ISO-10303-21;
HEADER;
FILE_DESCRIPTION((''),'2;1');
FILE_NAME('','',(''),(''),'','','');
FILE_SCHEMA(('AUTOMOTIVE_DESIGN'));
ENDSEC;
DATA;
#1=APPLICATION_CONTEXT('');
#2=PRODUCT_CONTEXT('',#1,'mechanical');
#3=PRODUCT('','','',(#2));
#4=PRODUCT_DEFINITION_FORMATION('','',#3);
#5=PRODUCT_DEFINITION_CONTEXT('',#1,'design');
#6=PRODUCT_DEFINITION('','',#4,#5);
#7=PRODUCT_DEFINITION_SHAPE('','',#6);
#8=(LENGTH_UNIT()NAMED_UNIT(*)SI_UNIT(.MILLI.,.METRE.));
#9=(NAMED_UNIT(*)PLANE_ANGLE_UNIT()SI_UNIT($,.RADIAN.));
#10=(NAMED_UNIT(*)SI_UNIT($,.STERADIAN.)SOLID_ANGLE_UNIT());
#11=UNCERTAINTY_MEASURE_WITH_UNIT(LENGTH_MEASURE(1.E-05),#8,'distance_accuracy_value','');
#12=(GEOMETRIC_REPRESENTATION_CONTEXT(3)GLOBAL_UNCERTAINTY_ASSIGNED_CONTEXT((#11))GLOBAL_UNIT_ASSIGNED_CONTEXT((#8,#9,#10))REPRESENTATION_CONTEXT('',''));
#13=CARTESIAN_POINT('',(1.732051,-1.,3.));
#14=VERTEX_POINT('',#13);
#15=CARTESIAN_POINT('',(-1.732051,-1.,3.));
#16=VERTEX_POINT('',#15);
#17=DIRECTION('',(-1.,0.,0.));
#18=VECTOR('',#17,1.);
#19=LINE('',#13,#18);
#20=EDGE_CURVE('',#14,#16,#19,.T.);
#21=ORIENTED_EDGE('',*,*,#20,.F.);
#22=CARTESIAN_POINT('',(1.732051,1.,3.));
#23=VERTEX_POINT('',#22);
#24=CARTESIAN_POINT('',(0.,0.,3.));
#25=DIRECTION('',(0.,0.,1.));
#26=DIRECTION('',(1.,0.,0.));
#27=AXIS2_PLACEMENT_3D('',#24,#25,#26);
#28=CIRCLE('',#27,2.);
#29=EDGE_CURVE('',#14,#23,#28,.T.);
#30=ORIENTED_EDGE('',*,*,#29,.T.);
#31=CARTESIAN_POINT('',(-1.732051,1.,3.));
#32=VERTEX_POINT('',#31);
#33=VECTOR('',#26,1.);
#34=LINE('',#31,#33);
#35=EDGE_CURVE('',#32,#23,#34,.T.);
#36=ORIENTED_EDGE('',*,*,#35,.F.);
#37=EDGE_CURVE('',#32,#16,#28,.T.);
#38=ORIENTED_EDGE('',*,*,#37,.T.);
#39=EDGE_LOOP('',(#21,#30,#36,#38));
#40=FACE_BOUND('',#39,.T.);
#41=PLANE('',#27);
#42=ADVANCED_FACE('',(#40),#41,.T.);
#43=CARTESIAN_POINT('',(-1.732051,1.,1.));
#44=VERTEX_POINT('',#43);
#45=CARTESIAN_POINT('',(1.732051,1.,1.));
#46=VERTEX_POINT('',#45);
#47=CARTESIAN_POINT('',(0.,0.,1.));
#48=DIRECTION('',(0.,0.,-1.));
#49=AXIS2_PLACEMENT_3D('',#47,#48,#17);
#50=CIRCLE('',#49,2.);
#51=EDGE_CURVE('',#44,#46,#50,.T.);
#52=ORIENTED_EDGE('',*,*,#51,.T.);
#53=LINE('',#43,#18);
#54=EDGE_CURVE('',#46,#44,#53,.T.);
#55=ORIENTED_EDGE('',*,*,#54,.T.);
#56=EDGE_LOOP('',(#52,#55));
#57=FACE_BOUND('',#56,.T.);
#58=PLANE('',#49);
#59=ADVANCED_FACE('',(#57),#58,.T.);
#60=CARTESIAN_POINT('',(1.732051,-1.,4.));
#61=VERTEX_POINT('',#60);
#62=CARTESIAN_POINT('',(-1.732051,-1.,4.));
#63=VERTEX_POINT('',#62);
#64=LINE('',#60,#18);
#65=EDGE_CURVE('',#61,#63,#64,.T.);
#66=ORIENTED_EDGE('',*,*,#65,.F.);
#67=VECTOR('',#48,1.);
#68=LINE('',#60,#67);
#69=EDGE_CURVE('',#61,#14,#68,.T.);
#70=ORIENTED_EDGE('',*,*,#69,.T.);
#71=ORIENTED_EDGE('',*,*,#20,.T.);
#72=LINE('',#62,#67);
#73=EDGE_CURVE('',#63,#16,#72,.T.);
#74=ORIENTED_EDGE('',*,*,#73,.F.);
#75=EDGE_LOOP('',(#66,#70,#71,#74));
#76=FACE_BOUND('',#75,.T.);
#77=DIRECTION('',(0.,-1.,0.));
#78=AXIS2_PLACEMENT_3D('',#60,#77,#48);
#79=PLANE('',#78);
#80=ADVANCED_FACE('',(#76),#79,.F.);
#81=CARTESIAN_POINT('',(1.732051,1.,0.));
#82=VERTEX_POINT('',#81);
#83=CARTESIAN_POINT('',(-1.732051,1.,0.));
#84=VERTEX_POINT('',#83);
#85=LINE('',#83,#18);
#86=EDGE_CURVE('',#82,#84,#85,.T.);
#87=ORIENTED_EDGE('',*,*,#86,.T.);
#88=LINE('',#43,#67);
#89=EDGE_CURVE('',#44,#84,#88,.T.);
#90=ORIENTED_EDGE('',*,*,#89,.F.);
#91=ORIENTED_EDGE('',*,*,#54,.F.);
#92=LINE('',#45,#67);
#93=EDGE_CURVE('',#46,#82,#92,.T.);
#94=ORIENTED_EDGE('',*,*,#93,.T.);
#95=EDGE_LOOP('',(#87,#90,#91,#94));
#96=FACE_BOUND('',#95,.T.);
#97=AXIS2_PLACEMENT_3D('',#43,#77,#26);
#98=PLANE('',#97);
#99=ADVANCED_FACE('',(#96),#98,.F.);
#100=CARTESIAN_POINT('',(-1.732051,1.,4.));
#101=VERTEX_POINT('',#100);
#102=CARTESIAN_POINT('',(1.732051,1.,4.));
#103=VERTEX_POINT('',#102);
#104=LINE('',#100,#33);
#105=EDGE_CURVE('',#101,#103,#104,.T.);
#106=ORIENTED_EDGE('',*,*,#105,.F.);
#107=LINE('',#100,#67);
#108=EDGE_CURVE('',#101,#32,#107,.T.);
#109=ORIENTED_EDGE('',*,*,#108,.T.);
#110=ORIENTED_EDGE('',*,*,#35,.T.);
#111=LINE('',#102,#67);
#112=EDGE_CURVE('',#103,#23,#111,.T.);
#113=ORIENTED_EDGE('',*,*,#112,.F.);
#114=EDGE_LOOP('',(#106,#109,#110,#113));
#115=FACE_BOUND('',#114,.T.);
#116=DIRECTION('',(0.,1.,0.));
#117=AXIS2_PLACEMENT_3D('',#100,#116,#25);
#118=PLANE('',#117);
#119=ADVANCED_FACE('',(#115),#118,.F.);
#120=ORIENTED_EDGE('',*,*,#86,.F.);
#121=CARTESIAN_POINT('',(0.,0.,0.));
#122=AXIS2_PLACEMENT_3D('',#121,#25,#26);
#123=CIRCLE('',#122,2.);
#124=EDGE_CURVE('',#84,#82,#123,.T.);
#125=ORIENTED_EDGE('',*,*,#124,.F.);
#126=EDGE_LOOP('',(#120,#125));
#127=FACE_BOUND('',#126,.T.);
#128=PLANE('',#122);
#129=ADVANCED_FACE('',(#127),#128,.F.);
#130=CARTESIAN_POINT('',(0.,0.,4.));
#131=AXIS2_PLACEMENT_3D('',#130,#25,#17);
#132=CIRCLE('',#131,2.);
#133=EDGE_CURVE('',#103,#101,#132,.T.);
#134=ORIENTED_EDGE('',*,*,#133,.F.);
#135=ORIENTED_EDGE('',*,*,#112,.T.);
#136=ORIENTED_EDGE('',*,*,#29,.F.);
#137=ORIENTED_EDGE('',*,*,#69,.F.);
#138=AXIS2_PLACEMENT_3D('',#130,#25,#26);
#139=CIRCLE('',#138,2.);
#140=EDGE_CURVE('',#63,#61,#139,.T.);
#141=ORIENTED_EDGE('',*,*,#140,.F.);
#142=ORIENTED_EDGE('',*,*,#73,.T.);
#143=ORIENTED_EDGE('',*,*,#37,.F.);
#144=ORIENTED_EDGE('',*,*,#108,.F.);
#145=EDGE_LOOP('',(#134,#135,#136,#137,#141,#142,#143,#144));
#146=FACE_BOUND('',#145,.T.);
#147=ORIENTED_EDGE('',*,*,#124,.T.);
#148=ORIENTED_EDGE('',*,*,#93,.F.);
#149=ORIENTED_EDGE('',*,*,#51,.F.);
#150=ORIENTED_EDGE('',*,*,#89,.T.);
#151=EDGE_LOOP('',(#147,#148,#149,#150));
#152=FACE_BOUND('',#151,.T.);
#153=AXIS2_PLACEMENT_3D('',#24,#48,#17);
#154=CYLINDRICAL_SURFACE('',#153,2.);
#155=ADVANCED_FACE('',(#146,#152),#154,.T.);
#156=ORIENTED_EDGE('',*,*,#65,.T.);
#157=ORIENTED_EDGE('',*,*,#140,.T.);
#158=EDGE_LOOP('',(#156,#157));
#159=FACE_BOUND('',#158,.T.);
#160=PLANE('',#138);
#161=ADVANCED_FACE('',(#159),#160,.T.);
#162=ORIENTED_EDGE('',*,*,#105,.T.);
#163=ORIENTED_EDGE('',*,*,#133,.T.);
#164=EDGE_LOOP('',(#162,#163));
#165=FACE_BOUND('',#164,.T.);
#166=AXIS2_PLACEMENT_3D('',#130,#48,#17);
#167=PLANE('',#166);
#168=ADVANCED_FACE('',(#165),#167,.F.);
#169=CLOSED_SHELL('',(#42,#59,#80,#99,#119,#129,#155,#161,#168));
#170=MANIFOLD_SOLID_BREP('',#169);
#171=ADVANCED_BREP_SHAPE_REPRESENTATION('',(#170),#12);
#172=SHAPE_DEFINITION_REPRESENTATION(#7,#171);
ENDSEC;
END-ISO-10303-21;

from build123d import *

# Parameters (mm, degrees)
SKETCH1_R           = 2
BOSS_EXTRUDE1_DEPTH = 3
BOSS_EXTRUDE2_DEPTH = 1
CUT_EXTRUDE1_DEPTH  = 1
BOSS_EXTRUDE3_DEPTH = 1


with BuildPart() as part:
    # Sketch1 → Boss-Extrude1 (new body)
    with BuildSketch(Plane.XY):
        Circle(SKETCH1_R)
    extrude(amount=BOSS_EXTRUDE1_DEPTH)

    # Sketch2 → Boss-Extrude2 (add)
    with BuildSketch(Plane.XY.offset(3)):
        with BuildLine():
            Line((-1.732050808, 1), (1.732050808, 1))
            ThreePointArc((1.732050808, 1), (0, 2), (-1.732050808, 1))
        make_face()
    extrude(amount=BOSS_EXTRUDE2_DEPTH)

    # Sketch3 → Cut-Extrude1 (cut)
    with BuildSketch(Plane(origin=(0, 0, 0), x_dir=(-1, 0, 0), z_dir=(0, 0, -1))):
        with BuildLine():
            Line((1.732050808, 1), (-1.732050808, 1))
            ThreePointArc((-1.732050808, 1), (0, 2), (1.732050808, 1))
        make_face()
    extrude(amount=-CUT_EXTRUDE1_DEPTH, mode=Mode.SUBTRACT)

    # Sketch4 → Boss-Extrude3 (add)
    with BuildSketch(Plane.XY.offset(3)):
        with BuildLine():
            Line((1.732050808, -1), (-1.732050808, -1))
            ThreePointArc((-1.732050808, -1), (0, -2), (1.732050808, -1))
        make_face()
    extrude(amount=BOSS_EXTRUDE3_DEPTH)


solid = part.part
